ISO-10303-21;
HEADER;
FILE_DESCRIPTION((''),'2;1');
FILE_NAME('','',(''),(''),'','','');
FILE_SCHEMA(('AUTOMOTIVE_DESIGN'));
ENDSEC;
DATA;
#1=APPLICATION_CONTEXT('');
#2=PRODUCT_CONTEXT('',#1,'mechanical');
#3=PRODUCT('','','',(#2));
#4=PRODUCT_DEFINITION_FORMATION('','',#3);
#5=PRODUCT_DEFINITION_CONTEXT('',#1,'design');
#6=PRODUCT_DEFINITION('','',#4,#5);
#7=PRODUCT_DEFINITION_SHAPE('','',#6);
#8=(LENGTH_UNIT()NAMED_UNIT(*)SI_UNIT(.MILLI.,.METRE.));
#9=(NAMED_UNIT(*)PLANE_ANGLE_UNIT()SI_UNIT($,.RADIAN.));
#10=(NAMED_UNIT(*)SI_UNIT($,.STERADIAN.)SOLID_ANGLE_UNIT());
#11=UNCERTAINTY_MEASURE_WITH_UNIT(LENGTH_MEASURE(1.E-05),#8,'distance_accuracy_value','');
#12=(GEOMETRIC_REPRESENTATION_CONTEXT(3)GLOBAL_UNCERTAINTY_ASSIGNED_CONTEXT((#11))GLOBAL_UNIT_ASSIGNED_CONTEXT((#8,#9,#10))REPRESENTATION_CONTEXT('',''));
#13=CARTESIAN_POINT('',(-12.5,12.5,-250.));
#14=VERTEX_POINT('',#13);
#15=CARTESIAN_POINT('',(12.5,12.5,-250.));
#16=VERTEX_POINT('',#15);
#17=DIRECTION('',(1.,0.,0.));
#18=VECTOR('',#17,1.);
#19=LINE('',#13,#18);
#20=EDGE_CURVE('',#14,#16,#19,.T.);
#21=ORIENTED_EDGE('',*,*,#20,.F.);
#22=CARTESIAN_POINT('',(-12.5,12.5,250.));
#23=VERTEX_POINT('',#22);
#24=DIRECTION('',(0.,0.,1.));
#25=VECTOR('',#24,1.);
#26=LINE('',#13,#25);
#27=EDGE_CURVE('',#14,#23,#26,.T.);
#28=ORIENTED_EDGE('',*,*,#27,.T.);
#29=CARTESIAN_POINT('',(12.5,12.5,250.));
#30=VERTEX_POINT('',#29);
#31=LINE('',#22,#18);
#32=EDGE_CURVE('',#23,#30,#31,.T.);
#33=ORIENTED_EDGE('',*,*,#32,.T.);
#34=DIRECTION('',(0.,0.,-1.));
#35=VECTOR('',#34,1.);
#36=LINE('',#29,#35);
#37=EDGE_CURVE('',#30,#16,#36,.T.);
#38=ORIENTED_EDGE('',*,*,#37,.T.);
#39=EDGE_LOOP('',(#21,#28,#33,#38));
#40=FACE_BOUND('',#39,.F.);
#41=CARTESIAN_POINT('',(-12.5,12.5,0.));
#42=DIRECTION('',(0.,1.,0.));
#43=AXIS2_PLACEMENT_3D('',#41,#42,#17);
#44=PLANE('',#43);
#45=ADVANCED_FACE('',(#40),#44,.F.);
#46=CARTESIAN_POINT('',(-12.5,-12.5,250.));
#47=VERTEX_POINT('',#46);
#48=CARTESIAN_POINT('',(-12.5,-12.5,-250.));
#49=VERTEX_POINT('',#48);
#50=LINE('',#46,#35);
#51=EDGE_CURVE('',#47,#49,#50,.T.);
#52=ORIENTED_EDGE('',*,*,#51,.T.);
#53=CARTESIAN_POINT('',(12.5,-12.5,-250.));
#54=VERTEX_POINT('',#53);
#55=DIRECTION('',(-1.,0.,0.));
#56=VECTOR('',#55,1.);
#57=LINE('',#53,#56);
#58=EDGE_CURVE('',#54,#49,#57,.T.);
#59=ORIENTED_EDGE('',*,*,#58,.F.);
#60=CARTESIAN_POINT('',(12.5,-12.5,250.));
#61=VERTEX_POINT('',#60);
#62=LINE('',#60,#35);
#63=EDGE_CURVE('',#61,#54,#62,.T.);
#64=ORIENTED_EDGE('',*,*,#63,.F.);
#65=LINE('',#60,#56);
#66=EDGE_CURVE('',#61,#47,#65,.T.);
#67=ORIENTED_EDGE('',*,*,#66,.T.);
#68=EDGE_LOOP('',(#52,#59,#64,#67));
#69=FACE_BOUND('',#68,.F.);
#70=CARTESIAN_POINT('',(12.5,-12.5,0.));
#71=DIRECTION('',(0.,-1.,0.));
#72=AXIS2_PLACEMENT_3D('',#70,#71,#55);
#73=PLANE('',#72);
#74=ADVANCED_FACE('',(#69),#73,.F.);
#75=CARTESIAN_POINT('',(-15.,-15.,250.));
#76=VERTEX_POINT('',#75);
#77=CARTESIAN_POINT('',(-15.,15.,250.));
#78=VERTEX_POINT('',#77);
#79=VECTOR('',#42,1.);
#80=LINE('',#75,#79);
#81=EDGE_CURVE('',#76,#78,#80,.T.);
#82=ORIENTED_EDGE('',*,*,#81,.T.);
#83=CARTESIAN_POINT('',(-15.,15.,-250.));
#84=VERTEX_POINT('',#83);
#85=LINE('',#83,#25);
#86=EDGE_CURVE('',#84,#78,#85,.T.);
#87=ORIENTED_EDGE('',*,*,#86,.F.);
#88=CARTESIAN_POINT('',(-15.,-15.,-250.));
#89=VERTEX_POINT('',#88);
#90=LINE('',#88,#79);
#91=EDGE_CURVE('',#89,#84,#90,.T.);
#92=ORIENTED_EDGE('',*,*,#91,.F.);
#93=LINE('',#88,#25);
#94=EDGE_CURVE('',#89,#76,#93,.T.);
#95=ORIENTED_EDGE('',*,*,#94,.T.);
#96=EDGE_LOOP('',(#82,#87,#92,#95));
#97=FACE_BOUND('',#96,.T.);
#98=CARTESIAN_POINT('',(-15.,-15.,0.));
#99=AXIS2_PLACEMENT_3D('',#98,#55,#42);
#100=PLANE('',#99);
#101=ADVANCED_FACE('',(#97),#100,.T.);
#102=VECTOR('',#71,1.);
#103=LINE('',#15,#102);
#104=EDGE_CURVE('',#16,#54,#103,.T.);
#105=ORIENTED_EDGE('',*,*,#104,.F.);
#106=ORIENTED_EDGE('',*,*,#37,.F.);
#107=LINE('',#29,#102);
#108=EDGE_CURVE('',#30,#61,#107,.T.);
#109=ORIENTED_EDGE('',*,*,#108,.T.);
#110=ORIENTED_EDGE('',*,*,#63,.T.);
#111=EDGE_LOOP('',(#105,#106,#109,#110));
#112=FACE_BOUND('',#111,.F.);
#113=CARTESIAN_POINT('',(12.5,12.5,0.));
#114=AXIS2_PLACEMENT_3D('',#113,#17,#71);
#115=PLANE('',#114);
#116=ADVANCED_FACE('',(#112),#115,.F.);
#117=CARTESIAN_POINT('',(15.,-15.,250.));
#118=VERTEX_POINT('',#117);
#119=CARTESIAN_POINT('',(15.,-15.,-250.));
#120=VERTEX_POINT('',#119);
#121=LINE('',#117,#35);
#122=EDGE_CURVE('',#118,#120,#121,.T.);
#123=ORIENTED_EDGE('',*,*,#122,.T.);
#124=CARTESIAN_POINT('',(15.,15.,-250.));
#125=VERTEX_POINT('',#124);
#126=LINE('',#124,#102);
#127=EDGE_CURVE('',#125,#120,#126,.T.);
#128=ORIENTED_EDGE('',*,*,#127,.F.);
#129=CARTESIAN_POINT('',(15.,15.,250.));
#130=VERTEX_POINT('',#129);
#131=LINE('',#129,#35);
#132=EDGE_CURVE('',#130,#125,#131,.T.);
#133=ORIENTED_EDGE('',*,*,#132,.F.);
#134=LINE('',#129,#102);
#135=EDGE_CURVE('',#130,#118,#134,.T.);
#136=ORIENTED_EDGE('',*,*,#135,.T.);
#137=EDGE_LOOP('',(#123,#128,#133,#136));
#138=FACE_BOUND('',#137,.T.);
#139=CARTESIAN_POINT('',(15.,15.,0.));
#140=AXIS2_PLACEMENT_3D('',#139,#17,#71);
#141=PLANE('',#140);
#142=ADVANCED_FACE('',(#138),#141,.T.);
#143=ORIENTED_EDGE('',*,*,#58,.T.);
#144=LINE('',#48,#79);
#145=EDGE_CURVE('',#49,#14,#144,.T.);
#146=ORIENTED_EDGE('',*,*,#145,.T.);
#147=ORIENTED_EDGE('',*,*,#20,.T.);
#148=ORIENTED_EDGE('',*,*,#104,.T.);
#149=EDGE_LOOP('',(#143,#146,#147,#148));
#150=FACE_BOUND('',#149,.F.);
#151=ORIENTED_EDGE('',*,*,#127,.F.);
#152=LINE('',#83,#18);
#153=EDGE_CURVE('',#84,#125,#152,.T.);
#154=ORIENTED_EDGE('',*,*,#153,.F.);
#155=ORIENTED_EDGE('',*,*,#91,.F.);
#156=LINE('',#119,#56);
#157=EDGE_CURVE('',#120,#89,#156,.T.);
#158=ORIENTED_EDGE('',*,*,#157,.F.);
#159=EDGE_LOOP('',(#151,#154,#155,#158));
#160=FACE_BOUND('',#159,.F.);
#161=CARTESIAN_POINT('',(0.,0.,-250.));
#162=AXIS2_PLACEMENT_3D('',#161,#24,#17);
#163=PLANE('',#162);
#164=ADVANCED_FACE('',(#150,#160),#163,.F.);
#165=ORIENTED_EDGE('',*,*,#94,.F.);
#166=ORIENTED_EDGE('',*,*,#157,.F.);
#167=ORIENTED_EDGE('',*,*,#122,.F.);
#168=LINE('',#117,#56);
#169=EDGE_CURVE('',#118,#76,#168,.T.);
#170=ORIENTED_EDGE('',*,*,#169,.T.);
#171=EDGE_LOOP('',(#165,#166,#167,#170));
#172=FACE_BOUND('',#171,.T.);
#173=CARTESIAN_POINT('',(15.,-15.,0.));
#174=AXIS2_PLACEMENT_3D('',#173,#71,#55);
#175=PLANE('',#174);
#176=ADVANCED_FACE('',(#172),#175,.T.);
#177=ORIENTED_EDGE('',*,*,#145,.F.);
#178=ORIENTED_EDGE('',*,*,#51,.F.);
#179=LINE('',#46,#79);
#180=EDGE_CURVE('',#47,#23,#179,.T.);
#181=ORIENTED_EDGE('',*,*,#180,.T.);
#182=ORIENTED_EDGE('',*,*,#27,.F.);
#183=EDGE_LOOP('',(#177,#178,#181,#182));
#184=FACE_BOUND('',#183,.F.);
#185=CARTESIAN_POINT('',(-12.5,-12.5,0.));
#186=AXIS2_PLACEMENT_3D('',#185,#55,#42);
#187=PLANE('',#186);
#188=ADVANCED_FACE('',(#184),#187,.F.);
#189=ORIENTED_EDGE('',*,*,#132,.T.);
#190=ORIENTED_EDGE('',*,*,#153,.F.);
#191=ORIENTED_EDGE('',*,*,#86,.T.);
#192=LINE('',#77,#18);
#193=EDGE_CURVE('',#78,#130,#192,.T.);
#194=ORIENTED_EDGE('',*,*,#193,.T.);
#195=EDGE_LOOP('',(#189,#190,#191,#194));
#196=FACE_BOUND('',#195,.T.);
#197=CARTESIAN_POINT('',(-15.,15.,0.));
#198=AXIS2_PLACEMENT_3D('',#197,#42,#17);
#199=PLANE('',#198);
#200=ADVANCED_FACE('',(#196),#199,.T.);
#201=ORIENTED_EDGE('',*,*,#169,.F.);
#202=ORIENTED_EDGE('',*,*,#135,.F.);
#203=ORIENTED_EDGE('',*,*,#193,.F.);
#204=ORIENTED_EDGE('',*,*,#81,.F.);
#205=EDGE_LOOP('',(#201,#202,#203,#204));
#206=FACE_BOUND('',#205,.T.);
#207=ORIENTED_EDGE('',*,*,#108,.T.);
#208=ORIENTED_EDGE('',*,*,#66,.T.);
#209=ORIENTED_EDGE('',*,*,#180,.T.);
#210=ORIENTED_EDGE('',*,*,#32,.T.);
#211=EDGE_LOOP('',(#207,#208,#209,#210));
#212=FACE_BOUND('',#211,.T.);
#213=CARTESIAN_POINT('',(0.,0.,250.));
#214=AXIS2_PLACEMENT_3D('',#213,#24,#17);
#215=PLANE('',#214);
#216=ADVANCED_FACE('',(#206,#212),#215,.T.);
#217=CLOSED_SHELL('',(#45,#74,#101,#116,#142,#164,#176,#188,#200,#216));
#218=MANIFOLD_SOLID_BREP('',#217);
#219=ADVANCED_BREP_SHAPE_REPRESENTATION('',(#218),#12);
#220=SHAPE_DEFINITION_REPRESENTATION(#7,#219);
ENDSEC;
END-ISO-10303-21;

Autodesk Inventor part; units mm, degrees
ref_plane "YZ Plane" through (0, 0, 0) normal (1, 0, 0) x (0, 1, 0)
ref_plane "XZ Plane" through (0, 0, 0) normal (0, 1, 0) x (-1, 0, 0)
ref_plane "XY Plane" through (0, 0, 0) normal (0, 0, 1) x (1, 0, 0)
sketch "Boceto1" plane through (0, 0, 0) normal (0, 0, 1) x (1, 0, 0)
  line L0 (-15, 15) -> (15, 15)
  line L1 (15, 15) -> (15, -15)
  line L2 (15, -15) -> (-15, -15)
  line L3 (-15, -15) -> (-15, 15)
  line L4 (-15, 15) -> (15, -15) construction
  line L5 (15, 15) -> (-15, -15) construction
  line L6 (-12.5, 12.5) -> (12.5, 12.5)
  line L7 (12.5, 12.5) -> (12.5, -12.5)
  line L8 (12.5, -12.5) -> (-12.5, -12.5)
  line L9 (-12.5, -12.5) -> (-12.5, 12.5)
  line L10 (-12.5, 12.5) -> (12.5, -12.5) construction
  line L11 (12.5, 12.5) -> (-12.5, -12.5) construction
  point P0 (0, 0)
  point P1 (0, 0)
  dimension "d0" = 30
  dimension "d1" = 30
  dimension "d2" = 25
  dimension "d3" = 25
extrude "Extrusión1" add sketch "Boceto1" along normal mid plane 500
properties part number "Barra_500" material "Acero"
